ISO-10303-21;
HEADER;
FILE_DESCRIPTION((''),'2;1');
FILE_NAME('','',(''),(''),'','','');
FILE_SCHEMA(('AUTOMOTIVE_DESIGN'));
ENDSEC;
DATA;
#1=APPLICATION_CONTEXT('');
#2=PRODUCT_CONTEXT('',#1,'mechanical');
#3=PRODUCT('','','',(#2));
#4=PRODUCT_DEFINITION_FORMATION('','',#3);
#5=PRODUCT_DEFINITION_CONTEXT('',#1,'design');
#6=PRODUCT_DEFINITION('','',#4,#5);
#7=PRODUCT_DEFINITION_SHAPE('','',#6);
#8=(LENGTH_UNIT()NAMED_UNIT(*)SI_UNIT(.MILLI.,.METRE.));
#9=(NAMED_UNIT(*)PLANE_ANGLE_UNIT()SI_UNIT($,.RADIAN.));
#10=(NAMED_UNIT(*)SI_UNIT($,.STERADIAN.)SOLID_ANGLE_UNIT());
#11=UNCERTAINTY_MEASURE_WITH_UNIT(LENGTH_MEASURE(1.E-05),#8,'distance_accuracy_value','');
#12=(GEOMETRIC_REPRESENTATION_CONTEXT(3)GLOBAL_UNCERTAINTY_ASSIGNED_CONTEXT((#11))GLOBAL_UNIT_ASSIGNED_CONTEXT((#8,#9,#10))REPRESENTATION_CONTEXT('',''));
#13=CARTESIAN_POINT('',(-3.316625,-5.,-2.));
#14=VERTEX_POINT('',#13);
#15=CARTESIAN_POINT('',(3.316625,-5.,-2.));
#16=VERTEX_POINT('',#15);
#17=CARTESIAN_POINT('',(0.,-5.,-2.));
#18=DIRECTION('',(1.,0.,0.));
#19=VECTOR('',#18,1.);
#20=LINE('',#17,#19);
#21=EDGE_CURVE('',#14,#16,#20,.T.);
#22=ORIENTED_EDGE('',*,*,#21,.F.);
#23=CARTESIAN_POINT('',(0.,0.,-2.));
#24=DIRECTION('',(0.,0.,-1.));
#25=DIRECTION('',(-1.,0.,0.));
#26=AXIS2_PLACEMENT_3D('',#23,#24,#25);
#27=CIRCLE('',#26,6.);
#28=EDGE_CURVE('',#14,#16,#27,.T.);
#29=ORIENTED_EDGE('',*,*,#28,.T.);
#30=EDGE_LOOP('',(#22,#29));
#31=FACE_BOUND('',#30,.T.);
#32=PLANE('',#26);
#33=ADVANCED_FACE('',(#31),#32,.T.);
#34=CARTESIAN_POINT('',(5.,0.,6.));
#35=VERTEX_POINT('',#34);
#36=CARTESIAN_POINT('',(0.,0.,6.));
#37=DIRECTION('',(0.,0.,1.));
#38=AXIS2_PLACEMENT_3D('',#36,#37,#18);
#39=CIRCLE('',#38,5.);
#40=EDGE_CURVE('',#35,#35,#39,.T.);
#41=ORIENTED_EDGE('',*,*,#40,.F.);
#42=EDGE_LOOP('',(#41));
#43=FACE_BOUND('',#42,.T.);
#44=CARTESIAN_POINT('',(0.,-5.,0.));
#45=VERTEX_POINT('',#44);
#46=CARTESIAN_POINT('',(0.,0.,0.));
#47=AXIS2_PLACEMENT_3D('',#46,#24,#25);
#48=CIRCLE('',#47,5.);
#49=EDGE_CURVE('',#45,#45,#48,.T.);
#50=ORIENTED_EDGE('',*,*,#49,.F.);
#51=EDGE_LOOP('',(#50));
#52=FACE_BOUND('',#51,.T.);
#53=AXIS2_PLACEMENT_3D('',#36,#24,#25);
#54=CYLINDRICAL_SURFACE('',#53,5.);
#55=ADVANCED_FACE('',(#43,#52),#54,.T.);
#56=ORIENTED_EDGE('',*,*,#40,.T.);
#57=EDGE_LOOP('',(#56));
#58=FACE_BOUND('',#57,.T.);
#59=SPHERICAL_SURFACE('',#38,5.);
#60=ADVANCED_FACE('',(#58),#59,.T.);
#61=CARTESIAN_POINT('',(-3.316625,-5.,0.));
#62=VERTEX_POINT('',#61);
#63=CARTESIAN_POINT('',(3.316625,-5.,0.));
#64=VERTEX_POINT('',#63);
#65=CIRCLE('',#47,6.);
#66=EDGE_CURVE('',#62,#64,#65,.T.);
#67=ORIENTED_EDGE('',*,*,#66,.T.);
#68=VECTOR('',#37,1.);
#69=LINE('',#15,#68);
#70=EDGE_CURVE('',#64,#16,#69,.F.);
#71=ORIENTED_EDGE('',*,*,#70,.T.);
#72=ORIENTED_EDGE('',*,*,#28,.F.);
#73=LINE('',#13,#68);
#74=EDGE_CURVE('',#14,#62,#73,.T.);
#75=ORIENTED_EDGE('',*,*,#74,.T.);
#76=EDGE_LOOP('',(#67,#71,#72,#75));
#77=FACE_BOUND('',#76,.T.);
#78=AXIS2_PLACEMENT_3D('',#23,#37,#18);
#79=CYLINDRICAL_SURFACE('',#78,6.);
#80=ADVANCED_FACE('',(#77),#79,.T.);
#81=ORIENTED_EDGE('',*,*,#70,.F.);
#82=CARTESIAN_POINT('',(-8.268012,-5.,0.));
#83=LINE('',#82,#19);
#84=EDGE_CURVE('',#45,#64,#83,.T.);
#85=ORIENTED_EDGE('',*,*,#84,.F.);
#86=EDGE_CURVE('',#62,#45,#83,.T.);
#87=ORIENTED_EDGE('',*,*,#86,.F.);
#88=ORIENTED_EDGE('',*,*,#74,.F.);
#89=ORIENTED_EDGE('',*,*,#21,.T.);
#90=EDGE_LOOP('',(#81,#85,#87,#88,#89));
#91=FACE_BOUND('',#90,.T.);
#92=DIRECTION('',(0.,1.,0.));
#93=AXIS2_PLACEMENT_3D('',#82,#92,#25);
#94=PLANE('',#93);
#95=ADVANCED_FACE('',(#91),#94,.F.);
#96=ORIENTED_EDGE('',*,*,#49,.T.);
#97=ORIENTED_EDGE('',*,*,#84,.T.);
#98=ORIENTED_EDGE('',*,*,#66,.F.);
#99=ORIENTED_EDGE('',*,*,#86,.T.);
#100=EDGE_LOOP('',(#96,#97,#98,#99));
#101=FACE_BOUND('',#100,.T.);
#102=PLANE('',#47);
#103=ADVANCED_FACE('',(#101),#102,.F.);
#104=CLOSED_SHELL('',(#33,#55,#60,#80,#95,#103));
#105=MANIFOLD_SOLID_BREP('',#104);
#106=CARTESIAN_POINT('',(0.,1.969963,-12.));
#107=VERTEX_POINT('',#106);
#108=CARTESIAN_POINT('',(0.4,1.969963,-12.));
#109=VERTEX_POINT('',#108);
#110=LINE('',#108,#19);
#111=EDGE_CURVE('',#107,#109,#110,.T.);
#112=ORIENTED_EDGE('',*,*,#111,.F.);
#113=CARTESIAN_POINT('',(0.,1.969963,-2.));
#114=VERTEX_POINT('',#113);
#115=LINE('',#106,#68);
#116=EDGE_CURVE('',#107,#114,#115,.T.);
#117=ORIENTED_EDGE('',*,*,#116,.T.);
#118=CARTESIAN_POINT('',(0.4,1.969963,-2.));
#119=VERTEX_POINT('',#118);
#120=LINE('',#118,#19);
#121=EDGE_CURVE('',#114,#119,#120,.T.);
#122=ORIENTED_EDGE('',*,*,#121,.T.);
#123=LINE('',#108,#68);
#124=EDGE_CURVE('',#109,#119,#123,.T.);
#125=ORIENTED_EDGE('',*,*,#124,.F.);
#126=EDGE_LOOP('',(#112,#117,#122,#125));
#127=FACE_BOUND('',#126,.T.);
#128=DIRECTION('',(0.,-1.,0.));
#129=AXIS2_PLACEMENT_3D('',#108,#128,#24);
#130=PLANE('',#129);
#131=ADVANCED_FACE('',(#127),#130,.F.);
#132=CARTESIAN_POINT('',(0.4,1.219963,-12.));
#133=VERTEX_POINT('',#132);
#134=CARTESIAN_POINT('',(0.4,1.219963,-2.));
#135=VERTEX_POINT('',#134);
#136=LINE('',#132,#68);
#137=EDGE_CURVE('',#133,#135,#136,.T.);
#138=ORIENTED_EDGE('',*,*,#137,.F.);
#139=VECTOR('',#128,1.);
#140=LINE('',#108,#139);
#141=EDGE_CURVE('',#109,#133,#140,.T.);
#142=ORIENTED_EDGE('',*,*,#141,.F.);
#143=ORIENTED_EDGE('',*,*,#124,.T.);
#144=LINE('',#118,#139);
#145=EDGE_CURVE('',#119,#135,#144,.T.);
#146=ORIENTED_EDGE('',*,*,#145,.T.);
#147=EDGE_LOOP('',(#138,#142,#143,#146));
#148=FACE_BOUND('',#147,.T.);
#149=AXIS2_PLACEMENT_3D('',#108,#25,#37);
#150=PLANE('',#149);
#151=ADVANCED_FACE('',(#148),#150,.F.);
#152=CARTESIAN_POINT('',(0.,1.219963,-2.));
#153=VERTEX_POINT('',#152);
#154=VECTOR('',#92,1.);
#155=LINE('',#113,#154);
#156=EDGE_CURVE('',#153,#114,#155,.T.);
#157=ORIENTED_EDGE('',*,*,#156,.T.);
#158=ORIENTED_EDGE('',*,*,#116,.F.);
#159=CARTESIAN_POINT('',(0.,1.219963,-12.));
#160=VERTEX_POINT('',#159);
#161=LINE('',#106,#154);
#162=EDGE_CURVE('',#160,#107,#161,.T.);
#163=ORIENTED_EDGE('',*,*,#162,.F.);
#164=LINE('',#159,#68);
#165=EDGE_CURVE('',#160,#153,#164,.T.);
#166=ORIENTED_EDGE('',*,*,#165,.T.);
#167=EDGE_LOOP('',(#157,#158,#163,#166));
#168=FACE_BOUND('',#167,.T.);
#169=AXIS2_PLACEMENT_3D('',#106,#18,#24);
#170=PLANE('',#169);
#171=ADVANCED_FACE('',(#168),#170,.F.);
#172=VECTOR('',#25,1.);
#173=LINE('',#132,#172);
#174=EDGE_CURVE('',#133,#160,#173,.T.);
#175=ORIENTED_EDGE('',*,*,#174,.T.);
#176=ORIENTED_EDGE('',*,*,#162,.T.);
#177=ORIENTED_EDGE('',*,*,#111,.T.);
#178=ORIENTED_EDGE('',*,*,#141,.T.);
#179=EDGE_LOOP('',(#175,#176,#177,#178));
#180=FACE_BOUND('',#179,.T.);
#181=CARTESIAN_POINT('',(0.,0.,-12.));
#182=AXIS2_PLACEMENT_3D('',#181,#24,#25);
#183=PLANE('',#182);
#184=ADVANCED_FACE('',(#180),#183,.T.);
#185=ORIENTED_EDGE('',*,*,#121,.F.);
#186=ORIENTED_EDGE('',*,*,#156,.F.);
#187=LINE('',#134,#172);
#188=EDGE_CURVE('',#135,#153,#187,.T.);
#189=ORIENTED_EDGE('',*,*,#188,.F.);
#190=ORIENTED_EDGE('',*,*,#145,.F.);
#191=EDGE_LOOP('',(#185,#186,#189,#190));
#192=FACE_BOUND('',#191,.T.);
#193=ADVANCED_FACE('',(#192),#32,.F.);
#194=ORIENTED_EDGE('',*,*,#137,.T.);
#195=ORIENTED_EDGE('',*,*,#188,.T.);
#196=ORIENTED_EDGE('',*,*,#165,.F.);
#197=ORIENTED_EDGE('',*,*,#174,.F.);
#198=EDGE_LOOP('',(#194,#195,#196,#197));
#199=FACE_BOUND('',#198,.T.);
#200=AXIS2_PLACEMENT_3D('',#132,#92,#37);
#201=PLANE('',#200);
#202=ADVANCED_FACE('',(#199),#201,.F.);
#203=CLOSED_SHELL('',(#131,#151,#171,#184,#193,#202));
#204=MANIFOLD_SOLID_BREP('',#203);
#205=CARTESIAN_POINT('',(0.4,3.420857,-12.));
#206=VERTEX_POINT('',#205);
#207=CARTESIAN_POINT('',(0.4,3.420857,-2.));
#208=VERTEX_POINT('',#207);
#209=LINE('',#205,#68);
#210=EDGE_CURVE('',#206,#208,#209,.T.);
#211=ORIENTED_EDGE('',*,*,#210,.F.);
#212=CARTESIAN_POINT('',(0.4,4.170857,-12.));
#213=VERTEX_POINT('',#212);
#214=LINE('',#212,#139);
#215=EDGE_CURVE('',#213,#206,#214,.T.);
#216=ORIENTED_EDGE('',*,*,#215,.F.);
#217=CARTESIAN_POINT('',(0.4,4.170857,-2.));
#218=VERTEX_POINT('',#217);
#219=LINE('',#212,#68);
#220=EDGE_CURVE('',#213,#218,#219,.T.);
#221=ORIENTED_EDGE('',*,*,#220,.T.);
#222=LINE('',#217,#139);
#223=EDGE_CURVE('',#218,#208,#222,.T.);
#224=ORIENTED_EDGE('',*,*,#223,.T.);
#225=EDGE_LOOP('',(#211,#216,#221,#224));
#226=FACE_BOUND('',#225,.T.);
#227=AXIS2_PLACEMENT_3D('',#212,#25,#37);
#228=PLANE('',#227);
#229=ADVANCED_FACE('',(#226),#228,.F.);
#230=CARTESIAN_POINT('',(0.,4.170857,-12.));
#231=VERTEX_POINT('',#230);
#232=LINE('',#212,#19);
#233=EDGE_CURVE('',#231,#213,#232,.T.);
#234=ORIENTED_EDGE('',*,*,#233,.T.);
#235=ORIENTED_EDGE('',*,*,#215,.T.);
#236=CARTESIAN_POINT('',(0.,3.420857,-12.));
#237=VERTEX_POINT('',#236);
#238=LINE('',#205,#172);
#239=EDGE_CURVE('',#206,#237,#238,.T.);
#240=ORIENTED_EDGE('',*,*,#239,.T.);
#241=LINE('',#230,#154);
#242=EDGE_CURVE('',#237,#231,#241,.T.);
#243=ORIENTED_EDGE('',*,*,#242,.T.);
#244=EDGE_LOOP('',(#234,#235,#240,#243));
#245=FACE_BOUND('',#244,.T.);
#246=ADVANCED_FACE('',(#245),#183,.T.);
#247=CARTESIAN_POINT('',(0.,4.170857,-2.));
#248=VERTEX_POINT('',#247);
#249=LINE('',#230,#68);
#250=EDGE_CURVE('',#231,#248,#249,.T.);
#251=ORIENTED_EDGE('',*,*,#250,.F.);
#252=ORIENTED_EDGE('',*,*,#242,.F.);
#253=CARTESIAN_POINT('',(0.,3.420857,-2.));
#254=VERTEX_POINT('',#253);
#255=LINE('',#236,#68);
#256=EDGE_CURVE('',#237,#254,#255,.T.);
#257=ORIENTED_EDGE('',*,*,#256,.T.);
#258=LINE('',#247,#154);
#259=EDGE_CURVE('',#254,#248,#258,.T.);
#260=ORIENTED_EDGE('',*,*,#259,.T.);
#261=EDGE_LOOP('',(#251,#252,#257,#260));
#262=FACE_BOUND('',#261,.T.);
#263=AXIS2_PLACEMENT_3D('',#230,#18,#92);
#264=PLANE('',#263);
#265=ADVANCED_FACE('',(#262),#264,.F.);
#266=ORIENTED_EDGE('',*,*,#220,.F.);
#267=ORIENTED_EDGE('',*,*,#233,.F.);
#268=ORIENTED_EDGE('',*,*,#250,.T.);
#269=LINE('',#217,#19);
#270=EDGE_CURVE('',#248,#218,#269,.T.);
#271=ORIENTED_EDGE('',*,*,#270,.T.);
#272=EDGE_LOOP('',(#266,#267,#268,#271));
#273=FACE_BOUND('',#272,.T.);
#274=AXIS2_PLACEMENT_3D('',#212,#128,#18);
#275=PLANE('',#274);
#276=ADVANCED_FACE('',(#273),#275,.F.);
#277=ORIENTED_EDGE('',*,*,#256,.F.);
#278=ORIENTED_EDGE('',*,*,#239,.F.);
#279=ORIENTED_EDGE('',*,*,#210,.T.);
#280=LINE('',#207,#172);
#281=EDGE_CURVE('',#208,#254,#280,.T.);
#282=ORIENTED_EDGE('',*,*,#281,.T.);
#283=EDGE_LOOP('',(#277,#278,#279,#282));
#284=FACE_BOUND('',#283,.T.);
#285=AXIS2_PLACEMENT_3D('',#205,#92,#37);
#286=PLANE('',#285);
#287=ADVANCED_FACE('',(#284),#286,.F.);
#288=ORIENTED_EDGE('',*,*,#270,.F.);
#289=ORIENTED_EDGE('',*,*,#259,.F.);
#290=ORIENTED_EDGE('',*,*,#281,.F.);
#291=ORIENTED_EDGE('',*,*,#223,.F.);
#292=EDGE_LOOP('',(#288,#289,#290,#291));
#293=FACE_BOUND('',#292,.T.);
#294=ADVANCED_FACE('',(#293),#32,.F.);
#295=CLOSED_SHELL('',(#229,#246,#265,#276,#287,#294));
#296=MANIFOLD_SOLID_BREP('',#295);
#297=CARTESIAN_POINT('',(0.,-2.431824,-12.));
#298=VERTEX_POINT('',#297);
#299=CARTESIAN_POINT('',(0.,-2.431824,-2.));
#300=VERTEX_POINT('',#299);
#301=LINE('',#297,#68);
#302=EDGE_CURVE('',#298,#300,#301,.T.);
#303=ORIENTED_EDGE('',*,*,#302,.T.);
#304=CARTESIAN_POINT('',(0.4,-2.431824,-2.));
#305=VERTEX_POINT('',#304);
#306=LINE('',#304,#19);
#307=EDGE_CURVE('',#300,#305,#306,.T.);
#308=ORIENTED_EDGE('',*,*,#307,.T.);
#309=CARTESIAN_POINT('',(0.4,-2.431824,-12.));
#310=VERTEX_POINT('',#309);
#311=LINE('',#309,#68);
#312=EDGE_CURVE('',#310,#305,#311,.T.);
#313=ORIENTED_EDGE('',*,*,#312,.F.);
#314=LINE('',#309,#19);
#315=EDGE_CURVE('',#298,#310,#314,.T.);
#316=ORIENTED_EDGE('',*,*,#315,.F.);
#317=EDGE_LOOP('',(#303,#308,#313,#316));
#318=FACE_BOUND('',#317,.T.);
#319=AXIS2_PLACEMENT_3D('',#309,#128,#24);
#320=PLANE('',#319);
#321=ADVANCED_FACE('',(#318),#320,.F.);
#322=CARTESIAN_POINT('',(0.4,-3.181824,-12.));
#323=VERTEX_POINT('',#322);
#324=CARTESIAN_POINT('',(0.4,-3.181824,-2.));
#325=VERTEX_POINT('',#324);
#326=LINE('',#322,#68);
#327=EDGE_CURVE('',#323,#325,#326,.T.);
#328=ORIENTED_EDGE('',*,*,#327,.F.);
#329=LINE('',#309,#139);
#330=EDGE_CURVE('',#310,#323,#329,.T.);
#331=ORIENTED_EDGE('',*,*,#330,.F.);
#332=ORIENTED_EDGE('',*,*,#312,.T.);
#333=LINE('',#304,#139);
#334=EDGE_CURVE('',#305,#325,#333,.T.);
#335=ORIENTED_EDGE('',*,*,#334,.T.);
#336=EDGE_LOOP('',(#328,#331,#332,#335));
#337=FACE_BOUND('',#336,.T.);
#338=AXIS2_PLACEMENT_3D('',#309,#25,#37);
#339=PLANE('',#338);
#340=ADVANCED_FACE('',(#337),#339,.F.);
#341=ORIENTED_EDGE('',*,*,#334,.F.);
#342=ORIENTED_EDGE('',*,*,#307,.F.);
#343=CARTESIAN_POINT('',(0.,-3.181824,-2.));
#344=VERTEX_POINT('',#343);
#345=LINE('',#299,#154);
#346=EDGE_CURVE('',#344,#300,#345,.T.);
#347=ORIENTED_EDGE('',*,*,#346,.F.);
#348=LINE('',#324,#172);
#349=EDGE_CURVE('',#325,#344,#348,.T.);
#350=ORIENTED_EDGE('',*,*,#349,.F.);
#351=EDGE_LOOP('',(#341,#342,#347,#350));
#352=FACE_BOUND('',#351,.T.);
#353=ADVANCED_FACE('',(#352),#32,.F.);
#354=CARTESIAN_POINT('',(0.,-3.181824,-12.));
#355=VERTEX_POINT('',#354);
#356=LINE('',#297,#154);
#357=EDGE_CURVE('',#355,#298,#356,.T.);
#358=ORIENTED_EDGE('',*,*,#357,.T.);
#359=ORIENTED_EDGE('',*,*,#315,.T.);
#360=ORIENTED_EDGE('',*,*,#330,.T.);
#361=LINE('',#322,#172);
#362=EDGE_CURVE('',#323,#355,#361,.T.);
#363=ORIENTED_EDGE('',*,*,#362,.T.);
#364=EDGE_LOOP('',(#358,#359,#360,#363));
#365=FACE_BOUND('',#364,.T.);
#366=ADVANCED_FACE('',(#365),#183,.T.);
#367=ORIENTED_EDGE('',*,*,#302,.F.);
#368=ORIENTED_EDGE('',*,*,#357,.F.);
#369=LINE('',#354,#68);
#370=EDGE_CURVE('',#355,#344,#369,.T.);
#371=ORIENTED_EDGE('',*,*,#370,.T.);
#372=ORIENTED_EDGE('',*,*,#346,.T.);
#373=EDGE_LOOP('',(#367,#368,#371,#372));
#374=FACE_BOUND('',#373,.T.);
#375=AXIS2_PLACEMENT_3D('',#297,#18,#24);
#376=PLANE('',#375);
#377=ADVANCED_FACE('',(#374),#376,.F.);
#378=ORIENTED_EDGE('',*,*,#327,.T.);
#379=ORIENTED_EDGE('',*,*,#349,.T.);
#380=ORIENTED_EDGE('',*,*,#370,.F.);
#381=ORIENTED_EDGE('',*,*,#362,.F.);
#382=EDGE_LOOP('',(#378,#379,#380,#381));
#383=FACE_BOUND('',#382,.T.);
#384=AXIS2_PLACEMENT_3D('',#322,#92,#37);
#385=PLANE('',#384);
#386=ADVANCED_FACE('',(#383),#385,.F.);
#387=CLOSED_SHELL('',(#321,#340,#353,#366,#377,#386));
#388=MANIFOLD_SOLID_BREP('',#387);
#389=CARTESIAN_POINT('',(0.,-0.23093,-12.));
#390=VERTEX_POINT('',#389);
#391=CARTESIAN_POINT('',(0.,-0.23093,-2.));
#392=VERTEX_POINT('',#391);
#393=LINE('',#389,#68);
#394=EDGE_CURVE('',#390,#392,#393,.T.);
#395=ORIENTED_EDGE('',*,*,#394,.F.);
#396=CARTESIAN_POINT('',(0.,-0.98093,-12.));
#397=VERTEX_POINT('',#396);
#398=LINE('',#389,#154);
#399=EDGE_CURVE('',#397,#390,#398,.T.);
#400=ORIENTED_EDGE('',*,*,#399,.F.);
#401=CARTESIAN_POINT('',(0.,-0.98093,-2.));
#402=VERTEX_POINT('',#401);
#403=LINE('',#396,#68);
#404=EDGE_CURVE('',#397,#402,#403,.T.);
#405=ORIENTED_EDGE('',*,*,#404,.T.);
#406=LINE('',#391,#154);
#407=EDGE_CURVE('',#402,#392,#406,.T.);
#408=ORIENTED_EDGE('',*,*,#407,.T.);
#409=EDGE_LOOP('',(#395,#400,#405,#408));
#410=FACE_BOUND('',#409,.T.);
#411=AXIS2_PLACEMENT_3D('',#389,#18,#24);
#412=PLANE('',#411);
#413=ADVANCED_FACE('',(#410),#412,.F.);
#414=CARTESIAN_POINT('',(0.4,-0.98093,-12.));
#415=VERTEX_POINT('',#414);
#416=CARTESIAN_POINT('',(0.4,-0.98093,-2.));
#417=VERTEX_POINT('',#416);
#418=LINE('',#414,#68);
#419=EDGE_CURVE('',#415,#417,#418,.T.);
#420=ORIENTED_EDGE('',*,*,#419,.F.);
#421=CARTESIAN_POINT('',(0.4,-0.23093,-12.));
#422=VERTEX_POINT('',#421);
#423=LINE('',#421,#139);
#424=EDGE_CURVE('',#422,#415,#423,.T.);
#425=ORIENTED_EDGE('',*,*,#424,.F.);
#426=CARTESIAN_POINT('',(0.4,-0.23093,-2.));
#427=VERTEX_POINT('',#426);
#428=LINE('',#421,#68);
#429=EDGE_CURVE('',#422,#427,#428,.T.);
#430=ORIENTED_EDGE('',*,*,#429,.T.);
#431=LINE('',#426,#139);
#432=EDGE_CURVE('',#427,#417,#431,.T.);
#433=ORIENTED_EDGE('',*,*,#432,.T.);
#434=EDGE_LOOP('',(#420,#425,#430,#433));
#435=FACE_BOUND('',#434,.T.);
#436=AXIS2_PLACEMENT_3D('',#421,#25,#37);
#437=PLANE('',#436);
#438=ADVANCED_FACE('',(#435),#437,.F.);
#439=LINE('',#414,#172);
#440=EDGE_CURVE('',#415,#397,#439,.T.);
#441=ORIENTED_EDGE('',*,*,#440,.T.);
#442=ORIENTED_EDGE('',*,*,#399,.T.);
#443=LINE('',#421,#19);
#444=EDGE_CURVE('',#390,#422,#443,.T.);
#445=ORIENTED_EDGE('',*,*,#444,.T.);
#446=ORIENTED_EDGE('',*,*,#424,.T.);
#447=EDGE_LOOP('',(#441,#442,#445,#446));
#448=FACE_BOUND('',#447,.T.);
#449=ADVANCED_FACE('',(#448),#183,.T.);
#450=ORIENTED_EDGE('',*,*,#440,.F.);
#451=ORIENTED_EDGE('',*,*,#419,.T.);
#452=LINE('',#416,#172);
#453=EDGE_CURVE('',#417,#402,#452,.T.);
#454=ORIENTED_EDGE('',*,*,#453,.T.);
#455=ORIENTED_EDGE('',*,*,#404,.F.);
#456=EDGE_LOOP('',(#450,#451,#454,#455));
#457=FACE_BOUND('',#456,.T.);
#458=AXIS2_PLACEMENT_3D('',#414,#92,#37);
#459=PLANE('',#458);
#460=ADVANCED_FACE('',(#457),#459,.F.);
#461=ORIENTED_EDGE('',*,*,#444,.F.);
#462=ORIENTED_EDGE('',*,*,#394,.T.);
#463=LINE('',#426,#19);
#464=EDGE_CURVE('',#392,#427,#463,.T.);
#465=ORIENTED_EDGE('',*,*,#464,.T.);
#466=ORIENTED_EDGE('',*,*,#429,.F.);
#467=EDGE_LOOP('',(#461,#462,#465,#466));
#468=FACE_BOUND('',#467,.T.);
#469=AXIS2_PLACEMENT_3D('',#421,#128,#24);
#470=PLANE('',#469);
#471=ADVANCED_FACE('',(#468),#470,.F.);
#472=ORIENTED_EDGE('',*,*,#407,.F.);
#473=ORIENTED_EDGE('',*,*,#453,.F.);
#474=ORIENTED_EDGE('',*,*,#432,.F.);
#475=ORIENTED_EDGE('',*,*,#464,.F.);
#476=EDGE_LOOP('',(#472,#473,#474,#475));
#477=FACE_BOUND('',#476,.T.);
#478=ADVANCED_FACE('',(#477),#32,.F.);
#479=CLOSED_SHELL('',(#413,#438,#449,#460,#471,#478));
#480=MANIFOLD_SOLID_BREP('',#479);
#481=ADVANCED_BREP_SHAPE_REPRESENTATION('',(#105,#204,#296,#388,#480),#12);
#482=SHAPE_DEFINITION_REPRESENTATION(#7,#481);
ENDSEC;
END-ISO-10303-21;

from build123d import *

# Parameters (mm, degrees)
SKETCH1_R             = 5
BOSS_EXTRUDE1_DEPTH   = 6
DOME1_FACE_RADIUS     = 5
DOME1_HEIGHT          = 5
SKETCH2_R             = 6
BOSS_EXTRUDE2_DEPTH   = 2
SKETCH3_W             = 16.856000324
SKETCH3_H             = 3.846233779
CUT_EXTRUDE4_DEPTH    = 2
SKETCH4_W             = 0.4
SKETCH4_H             = 0.75
BOSS_EXTRUDE3_DEPTH   = 10
BOSS_EXTRUDE3_2_DEPTH = 10
BOSS_EXTRUDE3_3_DEPTH = 10
BOSS_EXTRUDE3_4_DEPTH = 10


with BuildPart() as part:
    # Sketch1 → Boss-Extrude1 (new body)
    with BuildSketch(Plane.XY):
        Circle(SKETCH1_R)
    extrude(amount=BOSS_EXTRUDE1_DEPTH)

    # Dome1: a dome of height H over a round flat face of radius A is a cap of a sphere of radius (A * A + H * H) / (2 * H)
    dome1_r = (DOME1_FACE_RADIUS * DOME1_FACE_RADIUS + DOME1_HEIGHT * DOME1_HEIGHT) / (2 * DOME1_HEIGHT)
    dome1_base = Plane((0, 0, 6), z_dir=(0, 0, 1))
    with Locations(dome1_base.offset(DOME1_HEIGHT - dome1_r)):
        dome1_ball = Sphere(dome1_r, mode=Mode.PRIVATE)
    add(split(dome1_ball, bisect_by=dome1_base, keep=Keep.TOP, mode=Mode.PRIVATE))

    # Sketch2 → Boss-Extrude2 (add)
    with BuildSketch(Plane(origin=(0, 0, 0), x_dir=(-1, 0, 0), z_dir=(0, 0, -1))):
        Circle(SKETCH2_R)
    extrude(amount=BOSS_EXTRUDE2_DEPTH)

    # Sketch3 → Cut-Extrude4 (cut)
    with BuildSketch(Plane(origin=(0, 0, -2), x_dir=(-1, 0, 0), z_dir=(0, 0, -1))):
        with Locations((-0.159987828, -6.92311689)):
            Rectangle(SKETCH3_W, SKETCH3_H)
    extrude(amount=-CUT_EXTRUDE4_DEPTH, mode=Mode.SUBTRACT)


with BuildPart() as body_2:
    # Sketch4 → Boss-Extrude3 (new body)
    with BuildSketch(Plane(origin=(0, 0, -2), x_dir=(-1, 0, 0), z_dir=(0, 0, -1))):
        with Locations((-0.2, 1.594963341)):
            Rectangle(SKETCH4_W, SKETCH4_H)
    extrude(amount=BOSS_EXTRUDE3_DEPTH)


with BuildPart() as body_3:
    # Sketch4 → Boss-Extrude3 2 (new body)
    with BuildSketch(Plane(origin=(0, 0, -2), x_dir=(-1, 0, 0), z_dir=(0, 0, -1))):
        with Locations((-0.2, 3.795856983)):
            Rectangle(SKETCH4_W, SKETCH4_H)
    extrude(amount=BOSS_EXTRUDE3_2_DEPTH)


with BuildPart() as body_4:
    # Sketch4 → Boss-Extrude3 3 (new body)
    with BuildSketch(Plane(origin=(0, 0, -2), x_dir=(-1, 0, 0), z_dir=(0, 0, -1))):
        with Locations((-0.2, -0.605930301)):
            Rectangle(SKETCH4_W, SKETCH4_H)
    extrude(amount=BOSS_EXTRUDE3_3_DEPTH)


with BuildPart() as body_5:
    # Sketch4 → Boss-Extrude3 4 (new body)
    with BuildSketch(Plane(origin=(0, 0, -2), x_dir=(-1, 0, 0), z_dir=(0, 0, -1))):
        with Locations((-0.2, -2.806823942)):
            Rectangle(SKETCH4_W, SKETCH4_H)
    extrude(amount=BOSS_EXTRUDE3_4_DEPTH)


solid = Compound([part.part, body_2.part, body_3.part, body_4.part, body_5.part])
